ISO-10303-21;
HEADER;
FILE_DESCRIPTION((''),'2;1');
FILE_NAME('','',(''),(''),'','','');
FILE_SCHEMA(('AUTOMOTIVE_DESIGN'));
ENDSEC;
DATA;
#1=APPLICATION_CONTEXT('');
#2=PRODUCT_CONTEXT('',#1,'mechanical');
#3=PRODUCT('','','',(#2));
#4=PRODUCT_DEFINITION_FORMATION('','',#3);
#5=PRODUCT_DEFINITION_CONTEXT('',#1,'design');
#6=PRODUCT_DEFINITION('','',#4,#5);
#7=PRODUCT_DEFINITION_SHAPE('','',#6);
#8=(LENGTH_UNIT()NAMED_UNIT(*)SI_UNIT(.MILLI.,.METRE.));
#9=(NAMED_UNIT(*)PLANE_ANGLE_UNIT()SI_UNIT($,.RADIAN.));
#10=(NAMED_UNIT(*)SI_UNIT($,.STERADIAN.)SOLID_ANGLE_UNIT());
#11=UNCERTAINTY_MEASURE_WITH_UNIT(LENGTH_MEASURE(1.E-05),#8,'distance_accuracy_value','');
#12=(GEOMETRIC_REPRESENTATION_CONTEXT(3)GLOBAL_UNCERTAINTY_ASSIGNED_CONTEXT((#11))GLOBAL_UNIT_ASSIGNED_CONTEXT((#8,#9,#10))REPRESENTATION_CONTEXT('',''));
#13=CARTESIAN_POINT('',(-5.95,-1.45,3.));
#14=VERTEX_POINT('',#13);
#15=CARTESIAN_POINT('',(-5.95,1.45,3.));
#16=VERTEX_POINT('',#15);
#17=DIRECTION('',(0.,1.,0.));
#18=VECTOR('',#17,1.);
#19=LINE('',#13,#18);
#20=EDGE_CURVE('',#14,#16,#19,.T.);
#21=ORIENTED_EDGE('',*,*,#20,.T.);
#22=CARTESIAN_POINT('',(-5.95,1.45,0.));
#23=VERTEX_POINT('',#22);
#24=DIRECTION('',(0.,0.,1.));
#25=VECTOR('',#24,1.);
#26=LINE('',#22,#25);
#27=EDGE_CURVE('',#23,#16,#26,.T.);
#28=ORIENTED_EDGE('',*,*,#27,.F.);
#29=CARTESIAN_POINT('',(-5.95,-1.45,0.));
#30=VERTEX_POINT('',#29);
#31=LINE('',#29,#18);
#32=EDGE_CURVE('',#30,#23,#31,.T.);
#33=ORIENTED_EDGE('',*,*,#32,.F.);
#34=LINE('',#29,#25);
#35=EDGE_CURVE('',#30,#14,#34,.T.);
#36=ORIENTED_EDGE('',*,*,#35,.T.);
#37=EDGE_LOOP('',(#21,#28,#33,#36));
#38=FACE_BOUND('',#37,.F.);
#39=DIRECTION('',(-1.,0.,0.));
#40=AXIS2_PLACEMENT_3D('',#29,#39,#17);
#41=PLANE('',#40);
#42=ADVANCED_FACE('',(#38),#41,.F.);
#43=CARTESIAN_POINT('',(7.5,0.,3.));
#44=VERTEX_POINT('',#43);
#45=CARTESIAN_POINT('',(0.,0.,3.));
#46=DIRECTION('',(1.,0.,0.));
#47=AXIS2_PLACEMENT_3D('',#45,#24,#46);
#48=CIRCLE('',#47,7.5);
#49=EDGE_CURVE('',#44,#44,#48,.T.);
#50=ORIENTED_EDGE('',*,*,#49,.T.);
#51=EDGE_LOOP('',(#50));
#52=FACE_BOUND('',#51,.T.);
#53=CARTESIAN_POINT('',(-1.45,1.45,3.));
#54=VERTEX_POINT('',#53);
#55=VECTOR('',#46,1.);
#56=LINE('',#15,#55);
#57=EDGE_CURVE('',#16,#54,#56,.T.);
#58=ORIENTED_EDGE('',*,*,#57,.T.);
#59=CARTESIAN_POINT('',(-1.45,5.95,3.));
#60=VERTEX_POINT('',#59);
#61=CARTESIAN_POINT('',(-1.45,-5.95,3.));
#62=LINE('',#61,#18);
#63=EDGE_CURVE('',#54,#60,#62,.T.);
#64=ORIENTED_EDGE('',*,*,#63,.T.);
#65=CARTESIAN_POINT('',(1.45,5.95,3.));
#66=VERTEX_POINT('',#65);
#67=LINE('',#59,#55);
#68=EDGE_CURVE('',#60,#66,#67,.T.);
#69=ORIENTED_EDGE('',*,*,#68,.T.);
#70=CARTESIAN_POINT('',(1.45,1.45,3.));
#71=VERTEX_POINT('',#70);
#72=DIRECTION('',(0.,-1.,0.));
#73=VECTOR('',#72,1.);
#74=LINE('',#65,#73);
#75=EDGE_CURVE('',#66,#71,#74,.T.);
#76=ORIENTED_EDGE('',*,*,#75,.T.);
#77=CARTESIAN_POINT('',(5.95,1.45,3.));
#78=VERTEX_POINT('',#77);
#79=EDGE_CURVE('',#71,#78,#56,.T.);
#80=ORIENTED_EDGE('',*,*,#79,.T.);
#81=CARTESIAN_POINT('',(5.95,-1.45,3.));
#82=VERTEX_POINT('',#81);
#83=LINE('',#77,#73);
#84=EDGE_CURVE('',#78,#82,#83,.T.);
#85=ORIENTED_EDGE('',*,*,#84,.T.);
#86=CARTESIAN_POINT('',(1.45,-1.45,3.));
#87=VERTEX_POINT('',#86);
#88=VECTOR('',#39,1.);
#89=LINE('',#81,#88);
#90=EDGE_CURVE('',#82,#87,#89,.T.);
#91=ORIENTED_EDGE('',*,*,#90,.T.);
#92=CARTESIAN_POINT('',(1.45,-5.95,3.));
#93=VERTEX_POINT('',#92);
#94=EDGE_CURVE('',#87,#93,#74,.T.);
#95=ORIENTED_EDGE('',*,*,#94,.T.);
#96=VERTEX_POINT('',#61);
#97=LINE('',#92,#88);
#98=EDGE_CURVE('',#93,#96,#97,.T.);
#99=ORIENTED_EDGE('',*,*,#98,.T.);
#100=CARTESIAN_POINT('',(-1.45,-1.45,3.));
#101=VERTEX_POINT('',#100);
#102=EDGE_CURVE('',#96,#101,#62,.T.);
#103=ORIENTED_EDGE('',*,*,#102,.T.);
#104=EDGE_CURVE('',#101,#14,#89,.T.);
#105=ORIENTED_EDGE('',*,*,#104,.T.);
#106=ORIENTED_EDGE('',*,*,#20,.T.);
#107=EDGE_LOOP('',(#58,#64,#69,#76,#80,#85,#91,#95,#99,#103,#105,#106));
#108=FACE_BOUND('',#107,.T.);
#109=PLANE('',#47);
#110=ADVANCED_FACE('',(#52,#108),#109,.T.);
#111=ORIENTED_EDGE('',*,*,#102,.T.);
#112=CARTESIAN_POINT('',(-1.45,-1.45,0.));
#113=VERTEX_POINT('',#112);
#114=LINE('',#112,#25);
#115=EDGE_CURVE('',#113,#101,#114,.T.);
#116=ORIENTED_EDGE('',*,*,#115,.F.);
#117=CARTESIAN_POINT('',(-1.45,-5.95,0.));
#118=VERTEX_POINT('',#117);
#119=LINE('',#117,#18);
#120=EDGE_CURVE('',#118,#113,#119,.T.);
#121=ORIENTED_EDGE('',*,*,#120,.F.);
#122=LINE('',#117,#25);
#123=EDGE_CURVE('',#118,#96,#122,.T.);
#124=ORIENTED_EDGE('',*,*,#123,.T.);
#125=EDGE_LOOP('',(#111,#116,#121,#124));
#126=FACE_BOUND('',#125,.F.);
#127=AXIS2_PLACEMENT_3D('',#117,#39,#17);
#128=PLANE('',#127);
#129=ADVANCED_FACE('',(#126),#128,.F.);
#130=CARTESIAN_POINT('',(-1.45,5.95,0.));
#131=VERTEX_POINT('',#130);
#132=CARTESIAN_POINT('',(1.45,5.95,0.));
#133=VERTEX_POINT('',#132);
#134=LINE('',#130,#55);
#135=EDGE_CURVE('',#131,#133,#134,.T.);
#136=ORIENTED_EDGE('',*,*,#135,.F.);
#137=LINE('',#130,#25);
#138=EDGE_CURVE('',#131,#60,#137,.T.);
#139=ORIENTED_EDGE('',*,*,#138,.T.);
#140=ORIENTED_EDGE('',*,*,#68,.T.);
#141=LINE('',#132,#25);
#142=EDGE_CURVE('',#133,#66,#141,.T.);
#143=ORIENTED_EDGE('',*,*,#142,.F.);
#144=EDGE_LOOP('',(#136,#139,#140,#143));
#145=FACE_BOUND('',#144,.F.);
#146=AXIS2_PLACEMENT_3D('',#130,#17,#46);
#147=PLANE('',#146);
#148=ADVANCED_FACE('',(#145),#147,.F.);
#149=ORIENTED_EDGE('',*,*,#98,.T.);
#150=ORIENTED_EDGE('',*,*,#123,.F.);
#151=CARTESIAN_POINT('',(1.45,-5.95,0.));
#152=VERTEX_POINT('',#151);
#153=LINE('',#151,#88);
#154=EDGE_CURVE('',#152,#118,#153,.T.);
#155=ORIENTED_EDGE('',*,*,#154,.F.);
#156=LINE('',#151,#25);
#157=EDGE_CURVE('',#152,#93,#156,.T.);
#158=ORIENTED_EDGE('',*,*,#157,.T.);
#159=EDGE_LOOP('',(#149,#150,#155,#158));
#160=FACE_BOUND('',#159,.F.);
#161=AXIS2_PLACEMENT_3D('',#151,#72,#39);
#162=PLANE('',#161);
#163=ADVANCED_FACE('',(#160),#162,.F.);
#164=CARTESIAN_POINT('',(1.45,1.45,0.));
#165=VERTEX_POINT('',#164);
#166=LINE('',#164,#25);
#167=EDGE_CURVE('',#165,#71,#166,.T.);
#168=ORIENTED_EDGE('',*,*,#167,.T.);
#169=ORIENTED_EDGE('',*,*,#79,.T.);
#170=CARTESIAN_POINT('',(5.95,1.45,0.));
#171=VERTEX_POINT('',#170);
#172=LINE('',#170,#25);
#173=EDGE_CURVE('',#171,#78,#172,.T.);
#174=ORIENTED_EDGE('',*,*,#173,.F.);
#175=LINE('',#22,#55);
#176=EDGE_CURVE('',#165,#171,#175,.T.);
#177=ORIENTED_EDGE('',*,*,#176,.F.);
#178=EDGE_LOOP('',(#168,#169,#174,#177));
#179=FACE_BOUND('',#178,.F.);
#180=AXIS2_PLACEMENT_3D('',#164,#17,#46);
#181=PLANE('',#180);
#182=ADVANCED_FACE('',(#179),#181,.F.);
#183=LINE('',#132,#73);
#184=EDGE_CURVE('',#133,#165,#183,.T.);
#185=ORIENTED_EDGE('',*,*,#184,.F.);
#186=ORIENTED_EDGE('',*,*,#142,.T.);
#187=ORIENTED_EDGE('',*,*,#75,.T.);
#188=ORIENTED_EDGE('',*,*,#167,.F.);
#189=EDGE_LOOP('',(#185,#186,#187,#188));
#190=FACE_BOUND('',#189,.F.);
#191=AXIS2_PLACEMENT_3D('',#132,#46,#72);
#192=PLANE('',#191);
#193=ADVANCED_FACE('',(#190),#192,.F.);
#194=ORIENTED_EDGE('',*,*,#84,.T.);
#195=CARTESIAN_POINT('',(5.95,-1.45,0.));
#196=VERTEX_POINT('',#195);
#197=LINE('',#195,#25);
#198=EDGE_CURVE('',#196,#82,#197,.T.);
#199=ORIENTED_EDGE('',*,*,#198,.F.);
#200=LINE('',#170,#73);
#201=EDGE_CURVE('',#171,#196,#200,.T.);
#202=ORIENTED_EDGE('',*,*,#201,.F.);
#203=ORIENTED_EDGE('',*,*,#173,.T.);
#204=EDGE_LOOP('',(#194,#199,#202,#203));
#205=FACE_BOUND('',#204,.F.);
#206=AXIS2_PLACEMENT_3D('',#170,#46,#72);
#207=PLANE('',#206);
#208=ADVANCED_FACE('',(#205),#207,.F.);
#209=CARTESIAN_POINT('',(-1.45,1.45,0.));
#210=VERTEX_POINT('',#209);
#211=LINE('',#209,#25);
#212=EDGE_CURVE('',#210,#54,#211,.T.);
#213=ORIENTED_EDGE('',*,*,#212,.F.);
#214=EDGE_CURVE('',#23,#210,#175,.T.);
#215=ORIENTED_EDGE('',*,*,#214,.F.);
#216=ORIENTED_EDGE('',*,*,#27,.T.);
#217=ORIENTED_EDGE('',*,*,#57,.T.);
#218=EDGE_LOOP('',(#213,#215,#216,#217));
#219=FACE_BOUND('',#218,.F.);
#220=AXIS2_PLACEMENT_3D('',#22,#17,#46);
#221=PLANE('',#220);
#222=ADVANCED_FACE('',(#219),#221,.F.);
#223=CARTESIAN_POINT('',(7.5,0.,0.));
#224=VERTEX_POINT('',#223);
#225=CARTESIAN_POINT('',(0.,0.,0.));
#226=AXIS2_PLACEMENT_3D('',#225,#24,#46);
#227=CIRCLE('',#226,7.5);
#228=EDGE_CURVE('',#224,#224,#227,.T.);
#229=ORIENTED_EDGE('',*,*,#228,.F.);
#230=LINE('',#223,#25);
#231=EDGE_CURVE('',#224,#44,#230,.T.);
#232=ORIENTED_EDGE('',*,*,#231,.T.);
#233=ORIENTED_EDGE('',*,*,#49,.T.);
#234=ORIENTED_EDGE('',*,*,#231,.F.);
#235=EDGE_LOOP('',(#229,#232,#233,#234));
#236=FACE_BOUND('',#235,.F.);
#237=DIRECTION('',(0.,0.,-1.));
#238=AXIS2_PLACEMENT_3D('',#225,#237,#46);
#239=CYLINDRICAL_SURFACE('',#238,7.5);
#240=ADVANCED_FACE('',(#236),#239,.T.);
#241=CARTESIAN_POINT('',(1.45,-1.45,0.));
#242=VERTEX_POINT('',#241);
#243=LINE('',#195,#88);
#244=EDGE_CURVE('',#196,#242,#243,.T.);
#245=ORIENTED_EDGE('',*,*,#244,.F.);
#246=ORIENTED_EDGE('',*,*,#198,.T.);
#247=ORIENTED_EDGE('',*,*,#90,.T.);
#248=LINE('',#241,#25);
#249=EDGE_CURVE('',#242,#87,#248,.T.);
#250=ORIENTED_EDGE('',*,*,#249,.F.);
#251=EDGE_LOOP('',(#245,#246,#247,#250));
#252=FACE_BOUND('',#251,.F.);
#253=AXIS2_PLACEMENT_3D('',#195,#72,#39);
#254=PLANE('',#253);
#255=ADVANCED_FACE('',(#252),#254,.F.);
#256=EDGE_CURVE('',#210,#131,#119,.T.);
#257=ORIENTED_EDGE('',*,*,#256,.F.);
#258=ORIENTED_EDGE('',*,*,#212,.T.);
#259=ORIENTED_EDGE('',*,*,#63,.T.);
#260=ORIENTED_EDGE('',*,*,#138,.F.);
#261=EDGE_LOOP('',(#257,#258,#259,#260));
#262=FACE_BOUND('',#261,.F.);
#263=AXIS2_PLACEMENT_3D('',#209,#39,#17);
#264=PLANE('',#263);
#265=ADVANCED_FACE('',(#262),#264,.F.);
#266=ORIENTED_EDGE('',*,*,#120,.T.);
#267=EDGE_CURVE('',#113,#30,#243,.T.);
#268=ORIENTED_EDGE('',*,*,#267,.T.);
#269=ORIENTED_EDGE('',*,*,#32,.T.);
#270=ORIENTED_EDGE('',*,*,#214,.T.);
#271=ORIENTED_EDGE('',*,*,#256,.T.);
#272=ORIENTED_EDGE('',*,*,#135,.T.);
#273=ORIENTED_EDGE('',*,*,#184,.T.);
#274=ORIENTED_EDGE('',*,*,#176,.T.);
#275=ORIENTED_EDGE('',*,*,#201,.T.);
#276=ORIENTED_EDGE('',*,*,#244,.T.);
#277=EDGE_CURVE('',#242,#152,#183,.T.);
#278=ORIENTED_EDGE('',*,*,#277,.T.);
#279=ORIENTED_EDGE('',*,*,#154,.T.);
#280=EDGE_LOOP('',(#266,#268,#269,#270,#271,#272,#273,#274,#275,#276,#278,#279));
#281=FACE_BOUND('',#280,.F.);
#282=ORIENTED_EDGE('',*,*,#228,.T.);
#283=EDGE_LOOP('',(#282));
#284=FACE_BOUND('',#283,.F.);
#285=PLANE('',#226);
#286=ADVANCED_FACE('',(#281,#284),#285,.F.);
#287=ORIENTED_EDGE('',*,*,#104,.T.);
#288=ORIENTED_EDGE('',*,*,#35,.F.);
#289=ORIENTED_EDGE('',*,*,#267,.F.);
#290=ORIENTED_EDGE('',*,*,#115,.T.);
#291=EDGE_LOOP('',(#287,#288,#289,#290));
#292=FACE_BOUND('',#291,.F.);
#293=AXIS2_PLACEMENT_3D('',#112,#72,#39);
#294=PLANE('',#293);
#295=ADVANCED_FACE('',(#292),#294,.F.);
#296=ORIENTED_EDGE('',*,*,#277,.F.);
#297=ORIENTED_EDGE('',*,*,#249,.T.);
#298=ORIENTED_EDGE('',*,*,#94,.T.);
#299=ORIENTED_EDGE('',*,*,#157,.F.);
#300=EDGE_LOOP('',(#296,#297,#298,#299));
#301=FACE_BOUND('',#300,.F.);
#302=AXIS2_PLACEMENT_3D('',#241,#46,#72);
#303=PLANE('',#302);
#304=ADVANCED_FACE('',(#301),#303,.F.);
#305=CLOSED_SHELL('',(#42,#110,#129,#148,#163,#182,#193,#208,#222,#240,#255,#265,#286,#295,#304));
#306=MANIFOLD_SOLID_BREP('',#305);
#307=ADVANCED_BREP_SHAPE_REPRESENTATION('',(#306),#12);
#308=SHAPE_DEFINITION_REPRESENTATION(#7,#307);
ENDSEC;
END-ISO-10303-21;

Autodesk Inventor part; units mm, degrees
ref_plane "YZ Plane" through (0, 0, 0) normal (1, 0, 0) x (0, 1, 0)
ref_plane "XZ Plane" through (0, 0, 0) normal (0, 1, 0) x (-1, 0, 0)
ref_plane "XY Plane" through (0, 0, 0) normal (0, 0, 1) x (1, 0, 0)
sketch "草圖1" plane through (0, 0, 0) normal (0, 0, 1) x (1, 0, 0)
  circle A0 centre (0, 0) radius 7.5
  line L0 (5.95, -1.45) -> (-5.95, -1.45)
  line L1 (-5.95, -1.45) -> (-5.95, 1.45)
  line L2 (-5.95, 1.45) -> (5.95, 1.45)
  line L3 (5.95, 1.45) -> (5.95, -1.45)
  line L4 (5.95, -1.45) -> (-5.95, 1.45) construction
  line L5 (-5.95, -1.45) -> (5.95, 1.45) construction
  line L6 (1.45, -5.95) -> (-1.45, -5.95)
  line L7 (-1.45, -5.95) -> (-1.45, 5.95)
  line L8 (-1.45, 5.95) -> (1.45, 5.95)
  line L9 (1.45, 5.95) -> (1.45, -5.95)
  line L10 (1.45, -5.95) -> (-1.45, 5.95) construction
  line L11 (-1.45, -5.95) -> (1.45, 5.95) construction
  point P0 (-1.45, 1.45)
  point P1 (1.45, 1.45)
  point P2 (1.45, -1.45)
  point P3 (-1.45, -1.45)
  dimension "d0" = 15
  dimension "d1" = 11.9
  dimension "d2" = 2.9
extrude "擠出1" add sketch "草圖1" along normal blind 3
properties part number "rod_7"
